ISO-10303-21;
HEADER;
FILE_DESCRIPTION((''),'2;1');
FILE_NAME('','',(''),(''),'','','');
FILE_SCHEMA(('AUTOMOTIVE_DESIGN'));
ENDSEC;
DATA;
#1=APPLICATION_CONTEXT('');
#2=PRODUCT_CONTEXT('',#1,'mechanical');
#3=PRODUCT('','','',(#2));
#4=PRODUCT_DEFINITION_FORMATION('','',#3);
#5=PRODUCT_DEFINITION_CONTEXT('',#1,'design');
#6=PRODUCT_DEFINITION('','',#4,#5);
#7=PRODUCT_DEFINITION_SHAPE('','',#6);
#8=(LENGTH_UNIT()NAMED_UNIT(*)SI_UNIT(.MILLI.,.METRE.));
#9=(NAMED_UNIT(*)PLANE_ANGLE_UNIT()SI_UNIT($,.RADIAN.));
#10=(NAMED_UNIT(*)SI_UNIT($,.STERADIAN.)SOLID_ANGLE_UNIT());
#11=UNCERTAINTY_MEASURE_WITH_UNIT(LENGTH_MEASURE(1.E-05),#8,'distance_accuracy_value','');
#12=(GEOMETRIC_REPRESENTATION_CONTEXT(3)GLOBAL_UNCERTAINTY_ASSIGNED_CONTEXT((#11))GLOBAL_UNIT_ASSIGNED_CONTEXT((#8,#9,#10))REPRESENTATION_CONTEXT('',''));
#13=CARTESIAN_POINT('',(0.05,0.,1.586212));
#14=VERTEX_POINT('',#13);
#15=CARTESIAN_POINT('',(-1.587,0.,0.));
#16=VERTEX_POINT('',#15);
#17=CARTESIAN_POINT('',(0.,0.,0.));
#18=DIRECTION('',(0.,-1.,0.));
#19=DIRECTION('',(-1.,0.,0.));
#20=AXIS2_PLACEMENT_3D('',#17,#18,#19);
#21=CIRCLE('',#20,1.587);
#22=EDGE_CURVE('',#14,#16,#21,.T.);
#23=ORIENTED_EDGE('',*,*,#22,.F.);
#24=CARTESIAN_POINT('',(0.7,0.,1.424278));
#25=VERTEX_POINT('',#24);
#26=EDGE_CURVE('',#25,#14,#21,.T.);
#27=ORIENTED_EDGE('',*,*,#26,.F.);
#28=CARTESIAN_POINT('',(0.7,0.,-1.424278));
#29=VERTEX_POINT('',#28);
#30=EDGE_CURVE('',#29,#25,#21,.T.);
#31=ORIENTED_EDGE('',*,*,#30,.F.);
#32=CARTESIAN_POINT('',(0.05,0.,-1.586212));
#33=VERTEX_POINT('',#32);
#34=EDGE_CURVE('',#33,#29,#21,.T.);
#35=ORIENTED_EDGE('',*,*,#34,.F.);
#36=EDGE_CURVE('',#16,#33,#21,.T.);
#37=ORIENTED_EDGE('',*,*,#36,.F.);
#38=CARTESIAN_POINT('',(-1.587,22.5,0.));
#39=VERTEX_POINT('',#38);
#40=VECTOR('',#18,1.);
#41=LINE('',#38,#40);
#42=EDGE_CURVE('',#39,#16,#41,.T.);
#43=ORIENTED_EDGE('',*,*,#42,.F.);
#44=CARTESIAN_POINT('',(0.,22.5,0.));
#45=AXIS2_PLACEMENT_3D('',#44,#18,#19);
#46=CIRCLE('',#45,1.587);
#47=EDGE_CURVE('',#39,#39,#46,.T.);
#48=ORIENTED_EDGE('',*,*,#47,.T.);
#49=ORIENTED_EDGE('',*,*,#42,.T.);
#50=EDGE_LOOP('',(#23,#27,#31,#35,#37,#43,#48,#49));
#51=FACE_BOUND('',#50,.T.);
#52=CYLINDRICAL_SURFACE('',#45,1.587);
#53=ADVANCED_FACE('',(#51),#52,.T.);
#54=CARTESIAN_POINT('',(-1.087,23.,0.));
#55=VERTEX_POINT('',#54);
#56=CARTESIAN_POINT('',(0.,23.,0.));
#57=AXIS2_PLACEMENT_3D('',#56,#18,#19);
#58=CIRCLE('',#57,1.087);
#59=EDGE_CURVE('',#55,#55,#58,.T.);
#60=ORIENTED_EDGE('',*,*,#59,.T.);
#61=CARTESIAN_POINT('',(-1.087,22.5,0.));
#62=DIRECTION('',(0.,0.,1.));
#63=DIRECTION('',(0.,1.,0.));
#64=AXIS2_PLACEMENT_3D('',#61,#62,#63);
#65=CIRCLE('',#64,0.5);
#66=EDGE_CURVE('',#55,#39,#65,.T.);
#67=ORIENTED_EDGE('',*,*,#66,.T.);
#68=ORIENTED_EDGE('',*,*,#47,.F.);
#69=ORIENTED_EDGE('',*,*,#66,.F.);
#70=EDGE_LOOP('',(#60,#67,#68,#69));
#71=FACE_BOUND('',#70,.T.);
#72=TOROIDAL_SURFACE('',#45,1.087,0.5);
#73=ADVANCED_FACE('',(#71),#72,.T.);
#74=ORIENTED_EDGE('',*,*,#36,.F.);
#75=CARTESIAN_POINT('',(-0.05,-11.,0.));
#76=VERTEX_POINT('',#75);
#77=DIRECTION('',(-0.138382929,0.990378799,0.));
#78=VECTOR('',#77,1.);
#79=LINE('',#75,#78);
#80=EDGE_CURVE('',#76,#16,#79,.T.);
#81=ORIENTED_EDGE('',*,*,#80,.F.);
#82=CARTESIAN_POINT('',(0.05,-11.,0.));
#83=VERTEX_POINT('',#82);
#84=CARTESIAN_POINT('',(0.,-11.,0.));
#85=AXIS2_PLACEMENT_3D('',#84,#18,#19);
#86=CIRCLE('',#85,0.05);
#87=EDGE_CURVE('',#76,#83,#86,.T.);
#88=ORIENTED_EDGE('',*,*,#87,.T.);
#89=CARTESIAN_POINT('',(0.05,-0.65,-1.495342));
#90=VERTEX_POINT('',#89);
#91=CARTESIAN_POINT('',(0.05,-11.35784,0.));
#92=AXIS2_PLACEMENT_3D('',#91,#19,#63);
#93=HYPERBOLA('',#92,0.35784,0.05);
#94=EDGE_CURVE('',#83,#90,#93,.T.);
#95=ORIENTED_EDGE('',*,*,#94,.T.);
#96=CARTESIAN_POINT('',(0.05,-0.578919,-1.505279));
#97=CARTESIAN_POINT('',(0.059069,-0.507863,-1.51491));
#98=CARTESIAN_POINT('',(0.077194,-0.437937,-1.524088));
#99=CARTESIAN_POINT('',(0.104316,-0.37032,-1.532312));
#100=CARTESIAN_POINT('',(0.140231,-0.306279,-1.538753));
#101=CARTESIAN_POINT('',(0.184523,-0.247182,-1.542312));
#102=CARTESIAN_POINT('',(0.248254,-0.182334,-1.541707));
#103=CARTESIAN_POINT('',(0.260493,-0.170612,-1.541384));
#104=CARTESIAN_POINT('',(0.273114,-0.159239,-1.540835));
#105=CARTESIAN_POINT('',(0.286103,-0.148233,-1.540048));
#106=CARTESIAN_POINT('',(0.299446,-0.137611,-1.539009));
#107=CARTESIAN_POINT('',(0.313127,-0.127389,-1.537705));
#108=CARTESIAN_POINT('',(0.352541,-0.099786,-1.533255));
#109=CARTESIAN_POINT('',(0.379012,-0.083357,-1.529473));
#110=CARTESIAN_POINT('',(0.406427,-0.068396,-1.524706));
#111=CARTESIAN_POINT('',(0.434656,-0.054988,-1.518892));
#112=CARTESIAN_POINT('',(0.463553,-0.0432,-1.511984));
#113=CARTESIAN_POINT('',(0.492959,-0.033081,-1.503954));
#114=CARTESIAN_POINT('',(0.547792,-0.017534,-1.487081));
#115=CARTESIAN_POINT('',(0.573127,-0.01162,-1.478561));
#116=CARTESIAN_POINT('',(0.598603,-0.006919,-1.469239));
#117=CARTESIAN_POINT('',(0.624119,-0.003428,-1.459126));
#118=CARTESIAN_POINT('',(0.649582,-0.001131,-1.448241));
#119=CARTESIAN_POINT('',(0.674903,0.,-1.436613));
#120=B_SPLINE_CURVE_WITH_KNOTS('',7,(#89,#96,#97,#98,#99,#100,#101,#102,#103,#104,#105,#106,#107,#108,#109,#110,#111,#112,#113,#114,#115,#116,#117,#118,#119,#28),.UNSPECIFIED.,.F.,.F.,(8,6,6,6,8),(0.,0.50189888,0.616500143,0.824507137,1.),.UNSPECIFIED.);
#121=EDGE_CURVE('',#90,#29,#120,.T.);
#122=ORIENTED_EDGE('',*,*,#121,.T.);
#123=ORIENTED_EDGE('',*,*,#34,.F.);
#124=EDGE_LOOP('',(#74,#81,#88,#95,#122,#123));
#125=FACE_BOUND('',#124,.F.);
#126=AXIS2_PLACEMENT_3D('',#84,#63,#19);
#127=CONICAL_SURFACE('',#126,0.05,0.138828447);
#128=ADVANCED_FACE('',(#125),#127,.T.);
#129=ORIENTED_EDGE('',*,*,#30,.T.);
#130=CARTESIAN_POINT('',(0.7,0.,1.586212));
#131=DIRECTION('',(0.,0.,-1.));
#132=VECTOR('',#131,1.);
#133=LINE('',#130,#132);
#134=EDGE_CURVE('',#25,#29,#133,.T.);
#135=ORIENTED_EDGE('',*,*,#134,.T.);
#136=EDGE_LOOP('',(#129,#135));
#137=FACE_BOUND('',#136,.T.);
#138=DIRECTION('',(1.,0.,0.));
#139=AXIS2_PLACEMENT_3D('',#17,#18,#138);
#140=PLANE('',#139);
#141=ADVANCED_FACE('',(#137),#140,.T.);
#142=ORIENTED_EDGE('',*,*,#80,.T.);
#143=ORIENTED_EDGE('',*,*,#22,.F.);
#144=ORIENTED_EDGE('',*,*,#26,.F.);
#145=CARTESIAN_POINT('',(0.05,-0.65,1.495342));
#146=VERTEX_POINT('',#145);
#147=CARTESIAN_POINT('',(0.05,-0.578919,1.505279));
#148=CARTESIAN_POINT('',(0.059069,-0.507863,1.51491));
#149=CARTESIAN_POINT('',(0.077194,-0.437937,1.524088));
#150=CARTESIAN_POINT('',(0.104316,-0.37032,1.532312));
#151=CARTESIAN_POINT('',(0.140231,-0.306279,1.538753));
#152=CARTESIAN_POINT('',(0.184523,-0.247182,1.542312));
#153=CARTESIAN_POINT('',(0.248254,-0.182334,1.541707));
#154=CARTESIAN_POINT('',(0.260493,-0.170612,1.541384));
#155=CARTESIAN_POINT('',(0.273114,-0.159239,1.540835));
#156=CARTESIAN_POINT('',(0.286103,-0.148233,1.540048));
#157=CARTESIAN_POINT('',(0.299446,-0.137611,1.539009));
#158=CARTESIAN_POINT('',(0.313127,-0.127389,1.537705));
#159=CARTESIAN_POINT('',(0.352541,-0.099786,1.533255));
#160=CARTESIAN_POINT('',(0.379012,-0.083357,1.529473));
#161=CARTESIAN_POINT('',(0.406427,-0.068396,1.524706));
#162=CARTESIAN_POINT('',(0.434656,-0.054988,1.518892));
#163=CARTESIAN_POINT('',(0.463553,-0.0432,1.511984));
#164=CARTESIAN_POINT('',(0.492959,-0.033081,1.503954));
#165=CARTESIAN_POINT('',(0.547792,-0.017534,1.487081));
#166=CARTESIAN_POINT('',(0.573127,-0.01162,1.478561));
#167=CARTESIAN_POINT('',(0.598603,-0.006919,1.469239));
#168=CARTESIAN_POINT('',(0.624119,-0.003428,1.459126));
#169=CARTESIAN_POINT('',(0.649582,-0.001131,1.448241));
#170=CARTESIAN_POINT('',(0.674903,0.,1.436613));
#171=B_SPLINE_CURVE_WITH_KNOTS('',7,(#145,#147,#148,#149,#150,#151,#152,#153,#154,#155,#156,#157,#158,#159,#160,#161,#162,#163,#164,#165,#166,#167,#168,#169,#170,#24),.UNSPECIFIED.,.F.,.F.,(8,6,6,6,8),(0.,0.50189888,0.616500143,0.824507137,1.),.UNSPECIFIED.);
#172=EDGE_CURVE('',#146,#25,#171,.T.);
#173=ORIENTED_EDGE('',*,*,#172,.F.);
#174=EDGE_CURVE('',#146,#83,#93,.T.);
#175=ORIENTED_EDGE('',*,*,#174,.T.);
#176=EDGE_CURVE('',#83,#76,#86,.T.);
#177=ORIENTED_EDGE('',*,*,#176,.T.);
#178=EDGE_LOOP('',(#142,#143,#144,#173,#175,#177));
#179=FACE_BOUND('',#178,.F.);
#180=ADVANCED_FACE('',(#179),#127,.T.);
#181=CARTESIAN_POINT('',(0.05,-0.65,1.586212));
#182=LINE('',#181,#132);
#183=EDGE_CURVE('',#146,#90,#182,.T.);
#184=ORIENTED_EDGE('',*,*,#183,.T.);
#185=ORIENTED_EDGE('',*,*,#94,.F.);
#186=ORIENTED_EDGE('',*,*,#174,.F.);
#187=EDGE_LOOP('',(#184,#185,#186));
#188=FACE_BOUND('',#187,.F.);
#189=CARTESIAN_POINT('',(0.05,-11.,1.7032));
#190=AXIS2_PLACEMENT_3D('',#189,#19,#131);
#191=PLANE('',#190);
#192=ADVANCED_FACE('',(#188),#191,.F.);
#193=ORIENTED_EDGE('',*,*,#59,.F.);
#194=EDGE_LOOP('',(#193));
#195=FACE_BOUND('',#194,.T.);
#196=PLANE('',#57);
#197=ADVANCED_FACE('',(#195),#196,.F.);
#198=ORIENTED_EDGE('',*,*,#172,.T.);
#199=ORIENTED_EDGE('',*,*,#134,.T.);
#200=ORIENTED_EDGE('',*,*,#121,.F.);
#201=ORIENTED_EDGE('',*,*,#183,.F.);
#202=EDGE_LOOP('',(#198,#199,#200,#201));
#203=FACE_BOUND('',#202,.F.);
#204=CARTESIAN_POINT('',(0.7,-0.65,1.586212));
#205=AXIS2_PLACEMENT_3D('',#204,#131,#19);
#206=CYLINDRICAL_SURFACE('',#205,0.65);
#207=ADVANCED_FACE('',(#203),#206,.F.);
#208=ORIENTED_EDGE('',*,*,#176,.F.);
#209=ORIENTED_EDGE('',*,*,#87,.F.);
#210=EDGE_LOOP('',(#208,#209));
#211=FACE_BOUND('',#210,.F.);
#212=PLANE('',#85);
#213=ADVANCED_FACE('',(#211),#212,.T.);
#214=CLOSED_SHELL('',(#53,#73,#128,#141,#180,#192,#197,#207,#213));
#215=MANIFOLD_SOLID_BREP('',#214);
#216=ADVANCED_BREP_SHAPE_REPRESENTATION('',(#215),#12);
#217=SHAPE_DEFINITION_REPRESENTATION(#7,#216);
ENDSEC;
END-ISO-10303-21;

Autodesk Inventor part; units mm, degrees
ref_plane "YZ Plane" through (0, 0, 0) normal (1, 0, 0) x (0, 1, 0)
ref_plane "XZ Plane" through (0, 0, 0) normal (0, 1, 0) x (-1, 0, 0)
ref_plane "XY Plane" through (0, 0, 0) normal (0, 0, 1) x (1, 0, 0)
sketch "Sketch1" plane through (0, 0, 0) normal (0, 0, 1) x (1, 0, 0)
  line L0 (0, 23) -> (-1.087, 23)
  line L1 (-1.587, 22.5) -> (-1.587, 0)
  line L2 (0, 23) -> (0, -11)
  line L3 (0, -11) -> (0, -10.95)
  line L4 (0, -11) -> (-0.05, -11)
  line L5 (-0.05, -11) -> (-1.587, 0)
  arc A0 (-1.087, 23) -> (-1.587, 22.5) centre (-1.087, 22.5) ccw
  point P0 (-1.587, 23)
  dimension "d1" = 1.587
  dimension "d8" = 0.05
  dimension "d13" = 0.5
revolve "Revolution1" add sketch "Sketch1" angle 360 about axis through (0, 23, 0) along (0, -1, 0)
sketch "Sketch2" plane through (0, -11, 0) normal (0, -1, 0) x (1, 0, 0)
  line L0 (0.05, 1.7032) -> (0.05, -1.887)
  line L1 (0.05, -1.887) -> (1.6041, -1.887)
  line L2 (1.6041, -1.887) -> (1.6041, 1.7032)
  line L3 (1.6041, 1.7032) -> (0.05, 1.7032)
  point P0 (0, 0)
  dimension "d10" = 0.05
extrude "Extrusion1" cut sketch "Sketch2" against normal blind 11
fillet "Fillet1" radius 0.65 1 edges at (0.05, 0, 0)
properties part number "Herramienta Punta de Lanza"
